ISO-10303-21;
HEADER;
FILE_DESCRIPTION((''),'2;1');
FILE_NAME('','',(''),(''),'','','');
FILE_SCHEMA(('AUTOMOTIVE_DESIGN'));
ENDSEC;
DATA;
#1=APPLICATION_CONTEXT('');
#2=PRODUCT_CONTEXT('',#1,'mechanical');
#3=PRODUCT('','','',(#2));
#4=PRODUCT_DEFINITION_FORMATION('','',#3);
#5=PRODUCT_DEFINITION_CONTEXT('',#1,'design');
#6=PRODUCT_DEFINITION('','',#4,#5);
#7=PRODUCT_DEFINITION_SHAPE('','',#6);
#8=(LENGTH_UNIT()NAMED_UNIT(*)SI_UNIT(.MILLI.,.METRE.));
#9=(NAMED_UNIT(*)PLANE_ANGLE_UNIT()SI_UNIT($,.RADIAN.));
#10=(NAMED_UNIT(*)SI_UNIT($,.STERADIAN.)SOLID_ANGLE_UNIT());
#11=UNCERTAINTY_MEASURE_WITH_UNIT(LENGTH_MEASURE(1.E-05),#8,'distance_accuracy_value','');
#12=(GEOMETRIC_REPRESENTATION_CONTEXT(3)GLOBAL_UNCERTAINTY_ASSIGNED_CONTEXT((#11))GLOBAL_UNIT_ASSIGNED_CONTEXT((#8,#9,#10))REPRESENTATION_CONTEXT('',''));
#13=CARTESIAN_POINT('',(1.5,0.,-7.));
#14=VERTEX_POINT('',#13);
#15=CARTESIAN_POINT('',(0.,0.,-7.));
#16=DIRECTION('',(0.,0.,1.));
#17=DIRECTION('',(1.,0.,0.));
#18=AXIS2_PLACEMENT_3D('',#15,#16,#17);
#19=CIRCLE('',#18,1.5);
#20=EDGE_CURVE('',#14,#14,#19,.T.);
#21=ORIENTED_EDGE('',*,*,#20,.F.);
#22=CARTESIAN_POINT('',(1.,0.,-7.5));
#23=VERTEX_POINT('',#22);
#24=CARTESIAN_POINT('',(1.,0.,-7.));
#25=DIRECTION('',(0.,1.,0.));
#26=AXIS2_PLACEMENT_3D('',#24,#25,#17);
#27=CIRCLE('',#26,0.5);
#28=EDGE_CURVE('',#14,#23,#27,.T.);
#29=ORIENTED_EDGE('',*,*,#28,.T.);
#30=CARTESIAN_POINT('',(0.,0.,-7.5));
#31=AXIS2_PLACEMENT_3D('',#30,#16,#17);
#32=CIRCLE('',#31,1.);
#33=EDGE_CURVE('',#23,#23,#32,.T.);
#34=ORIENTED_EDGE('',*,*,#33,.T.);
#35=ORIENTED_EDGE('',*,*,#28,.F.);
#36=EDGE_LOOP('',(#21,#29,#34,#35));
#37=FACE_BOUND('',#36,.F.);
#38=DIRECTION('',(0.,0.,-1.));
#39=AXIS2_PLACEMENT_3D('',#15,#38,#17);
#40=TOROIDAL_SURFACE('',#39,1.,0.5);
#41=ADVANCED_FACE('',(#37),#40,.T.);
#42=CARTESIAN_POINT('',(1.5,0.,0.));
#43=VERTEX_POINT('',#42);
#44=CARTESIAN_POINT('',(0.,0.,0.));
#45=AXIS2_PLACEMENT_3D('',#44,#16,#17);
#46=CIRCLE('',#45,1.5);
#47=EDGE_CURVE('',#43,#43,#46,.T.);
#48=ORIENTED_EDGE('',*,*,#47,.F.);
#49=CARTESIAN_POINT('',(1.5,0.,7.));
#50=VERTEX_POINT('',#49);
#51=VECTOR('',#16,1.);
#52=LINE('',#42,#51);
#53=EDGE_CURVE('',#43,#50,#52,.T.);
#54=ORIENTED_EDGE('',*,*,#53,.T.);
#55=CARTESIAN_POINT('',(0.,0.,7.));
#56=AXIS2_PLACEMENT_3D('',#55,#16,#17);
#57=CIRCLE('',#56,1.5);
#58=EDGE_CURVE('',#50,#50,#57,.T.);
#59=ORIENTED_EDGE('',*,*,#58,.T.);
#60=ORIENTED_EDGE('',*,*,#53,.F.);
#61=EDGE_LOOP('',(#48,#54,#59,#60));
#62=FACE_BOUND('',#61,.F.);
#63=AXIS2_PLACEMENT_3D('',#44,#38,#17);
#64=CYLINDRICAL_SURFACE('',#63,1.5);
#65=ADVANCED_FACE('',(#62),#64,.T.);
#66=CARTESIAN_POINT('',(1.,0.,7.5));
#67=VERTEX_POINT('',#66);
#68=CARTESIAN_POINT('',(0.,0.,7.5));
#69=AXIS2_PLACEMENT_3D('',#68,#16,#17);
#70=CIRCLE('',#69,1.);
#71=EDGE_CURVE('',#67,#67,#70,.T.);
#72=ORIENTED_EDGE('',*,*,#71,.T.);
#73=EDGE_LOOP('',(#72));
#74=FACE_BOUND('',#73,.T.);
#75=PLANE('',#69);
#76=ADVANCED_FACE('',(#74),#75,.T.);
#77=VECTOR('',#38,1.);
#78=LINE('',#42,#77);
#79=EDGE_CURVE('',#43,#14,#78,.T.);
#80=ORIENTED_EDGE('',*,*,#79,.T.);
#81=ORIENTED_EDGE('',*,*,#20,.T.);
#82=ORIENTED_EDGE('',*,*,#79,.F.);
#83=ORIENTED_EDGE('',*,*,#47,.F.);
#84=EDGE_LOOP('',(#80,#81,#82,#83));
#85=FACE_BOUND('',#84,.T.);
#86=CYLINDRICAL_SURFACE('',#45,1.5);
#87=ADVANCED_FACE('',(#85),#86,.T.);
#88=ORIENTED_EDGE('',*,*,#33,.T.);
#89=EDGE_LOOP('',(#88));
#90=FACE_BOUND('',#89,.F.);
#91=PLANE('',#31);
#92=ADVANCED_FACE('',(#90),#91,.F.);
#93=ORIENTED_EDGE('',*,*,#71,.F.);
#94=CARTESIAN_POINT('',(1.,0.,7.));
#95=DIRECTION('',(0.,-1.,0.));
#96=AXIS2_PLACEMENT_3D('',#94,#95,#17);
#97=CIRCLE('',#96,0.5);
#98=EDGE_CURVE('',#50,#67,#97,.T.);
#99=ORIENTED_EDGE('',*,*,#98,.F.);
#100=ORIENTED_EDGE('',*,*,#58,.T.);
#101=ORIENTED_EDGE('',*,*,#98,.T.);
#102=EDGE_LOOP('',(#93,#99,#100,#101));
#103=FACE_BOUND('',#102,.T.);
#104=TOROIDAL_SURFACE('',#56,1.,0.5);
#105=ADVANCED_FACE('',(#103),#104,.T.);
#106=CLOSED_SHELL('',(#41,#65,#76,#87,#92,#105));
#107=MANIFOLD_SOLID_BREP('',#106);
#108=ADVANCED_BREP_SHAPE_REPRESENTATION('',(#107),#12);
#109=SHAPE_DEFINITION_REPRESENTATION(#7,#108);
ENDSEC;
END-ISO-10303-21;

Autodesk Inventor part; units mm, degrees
ref_plane "YZ Plane" through (0, 0, 0) normal (1, 0, 0) x (0, 1, 0)
ref_plane "XZ Plane" through (0, 0, 0) normal (0, 1, 0) x (-1, 0, 0)
ref_plane "XY Plane" through (0, 0, 0) normal (0, 0, 1) x (1, 0, 0)
sketch "Sketch1" plane through (0, 0, 0) normal (0, 0, 1) x (1, 0, 0)
  circle A0 centre (0, 0) radius 1.5
  dimension "d0" = 3
extrude "Extrusion1" add sketch "Sketch1" along normal mid plane 15
fillet "Fillet1" radius 0.5 2 edges at (-1.5, 0, 7.5) (-1.5, 0, -7.5)
properties part number "E3D Cartridge Thermistor" material "Stainless Steel"
